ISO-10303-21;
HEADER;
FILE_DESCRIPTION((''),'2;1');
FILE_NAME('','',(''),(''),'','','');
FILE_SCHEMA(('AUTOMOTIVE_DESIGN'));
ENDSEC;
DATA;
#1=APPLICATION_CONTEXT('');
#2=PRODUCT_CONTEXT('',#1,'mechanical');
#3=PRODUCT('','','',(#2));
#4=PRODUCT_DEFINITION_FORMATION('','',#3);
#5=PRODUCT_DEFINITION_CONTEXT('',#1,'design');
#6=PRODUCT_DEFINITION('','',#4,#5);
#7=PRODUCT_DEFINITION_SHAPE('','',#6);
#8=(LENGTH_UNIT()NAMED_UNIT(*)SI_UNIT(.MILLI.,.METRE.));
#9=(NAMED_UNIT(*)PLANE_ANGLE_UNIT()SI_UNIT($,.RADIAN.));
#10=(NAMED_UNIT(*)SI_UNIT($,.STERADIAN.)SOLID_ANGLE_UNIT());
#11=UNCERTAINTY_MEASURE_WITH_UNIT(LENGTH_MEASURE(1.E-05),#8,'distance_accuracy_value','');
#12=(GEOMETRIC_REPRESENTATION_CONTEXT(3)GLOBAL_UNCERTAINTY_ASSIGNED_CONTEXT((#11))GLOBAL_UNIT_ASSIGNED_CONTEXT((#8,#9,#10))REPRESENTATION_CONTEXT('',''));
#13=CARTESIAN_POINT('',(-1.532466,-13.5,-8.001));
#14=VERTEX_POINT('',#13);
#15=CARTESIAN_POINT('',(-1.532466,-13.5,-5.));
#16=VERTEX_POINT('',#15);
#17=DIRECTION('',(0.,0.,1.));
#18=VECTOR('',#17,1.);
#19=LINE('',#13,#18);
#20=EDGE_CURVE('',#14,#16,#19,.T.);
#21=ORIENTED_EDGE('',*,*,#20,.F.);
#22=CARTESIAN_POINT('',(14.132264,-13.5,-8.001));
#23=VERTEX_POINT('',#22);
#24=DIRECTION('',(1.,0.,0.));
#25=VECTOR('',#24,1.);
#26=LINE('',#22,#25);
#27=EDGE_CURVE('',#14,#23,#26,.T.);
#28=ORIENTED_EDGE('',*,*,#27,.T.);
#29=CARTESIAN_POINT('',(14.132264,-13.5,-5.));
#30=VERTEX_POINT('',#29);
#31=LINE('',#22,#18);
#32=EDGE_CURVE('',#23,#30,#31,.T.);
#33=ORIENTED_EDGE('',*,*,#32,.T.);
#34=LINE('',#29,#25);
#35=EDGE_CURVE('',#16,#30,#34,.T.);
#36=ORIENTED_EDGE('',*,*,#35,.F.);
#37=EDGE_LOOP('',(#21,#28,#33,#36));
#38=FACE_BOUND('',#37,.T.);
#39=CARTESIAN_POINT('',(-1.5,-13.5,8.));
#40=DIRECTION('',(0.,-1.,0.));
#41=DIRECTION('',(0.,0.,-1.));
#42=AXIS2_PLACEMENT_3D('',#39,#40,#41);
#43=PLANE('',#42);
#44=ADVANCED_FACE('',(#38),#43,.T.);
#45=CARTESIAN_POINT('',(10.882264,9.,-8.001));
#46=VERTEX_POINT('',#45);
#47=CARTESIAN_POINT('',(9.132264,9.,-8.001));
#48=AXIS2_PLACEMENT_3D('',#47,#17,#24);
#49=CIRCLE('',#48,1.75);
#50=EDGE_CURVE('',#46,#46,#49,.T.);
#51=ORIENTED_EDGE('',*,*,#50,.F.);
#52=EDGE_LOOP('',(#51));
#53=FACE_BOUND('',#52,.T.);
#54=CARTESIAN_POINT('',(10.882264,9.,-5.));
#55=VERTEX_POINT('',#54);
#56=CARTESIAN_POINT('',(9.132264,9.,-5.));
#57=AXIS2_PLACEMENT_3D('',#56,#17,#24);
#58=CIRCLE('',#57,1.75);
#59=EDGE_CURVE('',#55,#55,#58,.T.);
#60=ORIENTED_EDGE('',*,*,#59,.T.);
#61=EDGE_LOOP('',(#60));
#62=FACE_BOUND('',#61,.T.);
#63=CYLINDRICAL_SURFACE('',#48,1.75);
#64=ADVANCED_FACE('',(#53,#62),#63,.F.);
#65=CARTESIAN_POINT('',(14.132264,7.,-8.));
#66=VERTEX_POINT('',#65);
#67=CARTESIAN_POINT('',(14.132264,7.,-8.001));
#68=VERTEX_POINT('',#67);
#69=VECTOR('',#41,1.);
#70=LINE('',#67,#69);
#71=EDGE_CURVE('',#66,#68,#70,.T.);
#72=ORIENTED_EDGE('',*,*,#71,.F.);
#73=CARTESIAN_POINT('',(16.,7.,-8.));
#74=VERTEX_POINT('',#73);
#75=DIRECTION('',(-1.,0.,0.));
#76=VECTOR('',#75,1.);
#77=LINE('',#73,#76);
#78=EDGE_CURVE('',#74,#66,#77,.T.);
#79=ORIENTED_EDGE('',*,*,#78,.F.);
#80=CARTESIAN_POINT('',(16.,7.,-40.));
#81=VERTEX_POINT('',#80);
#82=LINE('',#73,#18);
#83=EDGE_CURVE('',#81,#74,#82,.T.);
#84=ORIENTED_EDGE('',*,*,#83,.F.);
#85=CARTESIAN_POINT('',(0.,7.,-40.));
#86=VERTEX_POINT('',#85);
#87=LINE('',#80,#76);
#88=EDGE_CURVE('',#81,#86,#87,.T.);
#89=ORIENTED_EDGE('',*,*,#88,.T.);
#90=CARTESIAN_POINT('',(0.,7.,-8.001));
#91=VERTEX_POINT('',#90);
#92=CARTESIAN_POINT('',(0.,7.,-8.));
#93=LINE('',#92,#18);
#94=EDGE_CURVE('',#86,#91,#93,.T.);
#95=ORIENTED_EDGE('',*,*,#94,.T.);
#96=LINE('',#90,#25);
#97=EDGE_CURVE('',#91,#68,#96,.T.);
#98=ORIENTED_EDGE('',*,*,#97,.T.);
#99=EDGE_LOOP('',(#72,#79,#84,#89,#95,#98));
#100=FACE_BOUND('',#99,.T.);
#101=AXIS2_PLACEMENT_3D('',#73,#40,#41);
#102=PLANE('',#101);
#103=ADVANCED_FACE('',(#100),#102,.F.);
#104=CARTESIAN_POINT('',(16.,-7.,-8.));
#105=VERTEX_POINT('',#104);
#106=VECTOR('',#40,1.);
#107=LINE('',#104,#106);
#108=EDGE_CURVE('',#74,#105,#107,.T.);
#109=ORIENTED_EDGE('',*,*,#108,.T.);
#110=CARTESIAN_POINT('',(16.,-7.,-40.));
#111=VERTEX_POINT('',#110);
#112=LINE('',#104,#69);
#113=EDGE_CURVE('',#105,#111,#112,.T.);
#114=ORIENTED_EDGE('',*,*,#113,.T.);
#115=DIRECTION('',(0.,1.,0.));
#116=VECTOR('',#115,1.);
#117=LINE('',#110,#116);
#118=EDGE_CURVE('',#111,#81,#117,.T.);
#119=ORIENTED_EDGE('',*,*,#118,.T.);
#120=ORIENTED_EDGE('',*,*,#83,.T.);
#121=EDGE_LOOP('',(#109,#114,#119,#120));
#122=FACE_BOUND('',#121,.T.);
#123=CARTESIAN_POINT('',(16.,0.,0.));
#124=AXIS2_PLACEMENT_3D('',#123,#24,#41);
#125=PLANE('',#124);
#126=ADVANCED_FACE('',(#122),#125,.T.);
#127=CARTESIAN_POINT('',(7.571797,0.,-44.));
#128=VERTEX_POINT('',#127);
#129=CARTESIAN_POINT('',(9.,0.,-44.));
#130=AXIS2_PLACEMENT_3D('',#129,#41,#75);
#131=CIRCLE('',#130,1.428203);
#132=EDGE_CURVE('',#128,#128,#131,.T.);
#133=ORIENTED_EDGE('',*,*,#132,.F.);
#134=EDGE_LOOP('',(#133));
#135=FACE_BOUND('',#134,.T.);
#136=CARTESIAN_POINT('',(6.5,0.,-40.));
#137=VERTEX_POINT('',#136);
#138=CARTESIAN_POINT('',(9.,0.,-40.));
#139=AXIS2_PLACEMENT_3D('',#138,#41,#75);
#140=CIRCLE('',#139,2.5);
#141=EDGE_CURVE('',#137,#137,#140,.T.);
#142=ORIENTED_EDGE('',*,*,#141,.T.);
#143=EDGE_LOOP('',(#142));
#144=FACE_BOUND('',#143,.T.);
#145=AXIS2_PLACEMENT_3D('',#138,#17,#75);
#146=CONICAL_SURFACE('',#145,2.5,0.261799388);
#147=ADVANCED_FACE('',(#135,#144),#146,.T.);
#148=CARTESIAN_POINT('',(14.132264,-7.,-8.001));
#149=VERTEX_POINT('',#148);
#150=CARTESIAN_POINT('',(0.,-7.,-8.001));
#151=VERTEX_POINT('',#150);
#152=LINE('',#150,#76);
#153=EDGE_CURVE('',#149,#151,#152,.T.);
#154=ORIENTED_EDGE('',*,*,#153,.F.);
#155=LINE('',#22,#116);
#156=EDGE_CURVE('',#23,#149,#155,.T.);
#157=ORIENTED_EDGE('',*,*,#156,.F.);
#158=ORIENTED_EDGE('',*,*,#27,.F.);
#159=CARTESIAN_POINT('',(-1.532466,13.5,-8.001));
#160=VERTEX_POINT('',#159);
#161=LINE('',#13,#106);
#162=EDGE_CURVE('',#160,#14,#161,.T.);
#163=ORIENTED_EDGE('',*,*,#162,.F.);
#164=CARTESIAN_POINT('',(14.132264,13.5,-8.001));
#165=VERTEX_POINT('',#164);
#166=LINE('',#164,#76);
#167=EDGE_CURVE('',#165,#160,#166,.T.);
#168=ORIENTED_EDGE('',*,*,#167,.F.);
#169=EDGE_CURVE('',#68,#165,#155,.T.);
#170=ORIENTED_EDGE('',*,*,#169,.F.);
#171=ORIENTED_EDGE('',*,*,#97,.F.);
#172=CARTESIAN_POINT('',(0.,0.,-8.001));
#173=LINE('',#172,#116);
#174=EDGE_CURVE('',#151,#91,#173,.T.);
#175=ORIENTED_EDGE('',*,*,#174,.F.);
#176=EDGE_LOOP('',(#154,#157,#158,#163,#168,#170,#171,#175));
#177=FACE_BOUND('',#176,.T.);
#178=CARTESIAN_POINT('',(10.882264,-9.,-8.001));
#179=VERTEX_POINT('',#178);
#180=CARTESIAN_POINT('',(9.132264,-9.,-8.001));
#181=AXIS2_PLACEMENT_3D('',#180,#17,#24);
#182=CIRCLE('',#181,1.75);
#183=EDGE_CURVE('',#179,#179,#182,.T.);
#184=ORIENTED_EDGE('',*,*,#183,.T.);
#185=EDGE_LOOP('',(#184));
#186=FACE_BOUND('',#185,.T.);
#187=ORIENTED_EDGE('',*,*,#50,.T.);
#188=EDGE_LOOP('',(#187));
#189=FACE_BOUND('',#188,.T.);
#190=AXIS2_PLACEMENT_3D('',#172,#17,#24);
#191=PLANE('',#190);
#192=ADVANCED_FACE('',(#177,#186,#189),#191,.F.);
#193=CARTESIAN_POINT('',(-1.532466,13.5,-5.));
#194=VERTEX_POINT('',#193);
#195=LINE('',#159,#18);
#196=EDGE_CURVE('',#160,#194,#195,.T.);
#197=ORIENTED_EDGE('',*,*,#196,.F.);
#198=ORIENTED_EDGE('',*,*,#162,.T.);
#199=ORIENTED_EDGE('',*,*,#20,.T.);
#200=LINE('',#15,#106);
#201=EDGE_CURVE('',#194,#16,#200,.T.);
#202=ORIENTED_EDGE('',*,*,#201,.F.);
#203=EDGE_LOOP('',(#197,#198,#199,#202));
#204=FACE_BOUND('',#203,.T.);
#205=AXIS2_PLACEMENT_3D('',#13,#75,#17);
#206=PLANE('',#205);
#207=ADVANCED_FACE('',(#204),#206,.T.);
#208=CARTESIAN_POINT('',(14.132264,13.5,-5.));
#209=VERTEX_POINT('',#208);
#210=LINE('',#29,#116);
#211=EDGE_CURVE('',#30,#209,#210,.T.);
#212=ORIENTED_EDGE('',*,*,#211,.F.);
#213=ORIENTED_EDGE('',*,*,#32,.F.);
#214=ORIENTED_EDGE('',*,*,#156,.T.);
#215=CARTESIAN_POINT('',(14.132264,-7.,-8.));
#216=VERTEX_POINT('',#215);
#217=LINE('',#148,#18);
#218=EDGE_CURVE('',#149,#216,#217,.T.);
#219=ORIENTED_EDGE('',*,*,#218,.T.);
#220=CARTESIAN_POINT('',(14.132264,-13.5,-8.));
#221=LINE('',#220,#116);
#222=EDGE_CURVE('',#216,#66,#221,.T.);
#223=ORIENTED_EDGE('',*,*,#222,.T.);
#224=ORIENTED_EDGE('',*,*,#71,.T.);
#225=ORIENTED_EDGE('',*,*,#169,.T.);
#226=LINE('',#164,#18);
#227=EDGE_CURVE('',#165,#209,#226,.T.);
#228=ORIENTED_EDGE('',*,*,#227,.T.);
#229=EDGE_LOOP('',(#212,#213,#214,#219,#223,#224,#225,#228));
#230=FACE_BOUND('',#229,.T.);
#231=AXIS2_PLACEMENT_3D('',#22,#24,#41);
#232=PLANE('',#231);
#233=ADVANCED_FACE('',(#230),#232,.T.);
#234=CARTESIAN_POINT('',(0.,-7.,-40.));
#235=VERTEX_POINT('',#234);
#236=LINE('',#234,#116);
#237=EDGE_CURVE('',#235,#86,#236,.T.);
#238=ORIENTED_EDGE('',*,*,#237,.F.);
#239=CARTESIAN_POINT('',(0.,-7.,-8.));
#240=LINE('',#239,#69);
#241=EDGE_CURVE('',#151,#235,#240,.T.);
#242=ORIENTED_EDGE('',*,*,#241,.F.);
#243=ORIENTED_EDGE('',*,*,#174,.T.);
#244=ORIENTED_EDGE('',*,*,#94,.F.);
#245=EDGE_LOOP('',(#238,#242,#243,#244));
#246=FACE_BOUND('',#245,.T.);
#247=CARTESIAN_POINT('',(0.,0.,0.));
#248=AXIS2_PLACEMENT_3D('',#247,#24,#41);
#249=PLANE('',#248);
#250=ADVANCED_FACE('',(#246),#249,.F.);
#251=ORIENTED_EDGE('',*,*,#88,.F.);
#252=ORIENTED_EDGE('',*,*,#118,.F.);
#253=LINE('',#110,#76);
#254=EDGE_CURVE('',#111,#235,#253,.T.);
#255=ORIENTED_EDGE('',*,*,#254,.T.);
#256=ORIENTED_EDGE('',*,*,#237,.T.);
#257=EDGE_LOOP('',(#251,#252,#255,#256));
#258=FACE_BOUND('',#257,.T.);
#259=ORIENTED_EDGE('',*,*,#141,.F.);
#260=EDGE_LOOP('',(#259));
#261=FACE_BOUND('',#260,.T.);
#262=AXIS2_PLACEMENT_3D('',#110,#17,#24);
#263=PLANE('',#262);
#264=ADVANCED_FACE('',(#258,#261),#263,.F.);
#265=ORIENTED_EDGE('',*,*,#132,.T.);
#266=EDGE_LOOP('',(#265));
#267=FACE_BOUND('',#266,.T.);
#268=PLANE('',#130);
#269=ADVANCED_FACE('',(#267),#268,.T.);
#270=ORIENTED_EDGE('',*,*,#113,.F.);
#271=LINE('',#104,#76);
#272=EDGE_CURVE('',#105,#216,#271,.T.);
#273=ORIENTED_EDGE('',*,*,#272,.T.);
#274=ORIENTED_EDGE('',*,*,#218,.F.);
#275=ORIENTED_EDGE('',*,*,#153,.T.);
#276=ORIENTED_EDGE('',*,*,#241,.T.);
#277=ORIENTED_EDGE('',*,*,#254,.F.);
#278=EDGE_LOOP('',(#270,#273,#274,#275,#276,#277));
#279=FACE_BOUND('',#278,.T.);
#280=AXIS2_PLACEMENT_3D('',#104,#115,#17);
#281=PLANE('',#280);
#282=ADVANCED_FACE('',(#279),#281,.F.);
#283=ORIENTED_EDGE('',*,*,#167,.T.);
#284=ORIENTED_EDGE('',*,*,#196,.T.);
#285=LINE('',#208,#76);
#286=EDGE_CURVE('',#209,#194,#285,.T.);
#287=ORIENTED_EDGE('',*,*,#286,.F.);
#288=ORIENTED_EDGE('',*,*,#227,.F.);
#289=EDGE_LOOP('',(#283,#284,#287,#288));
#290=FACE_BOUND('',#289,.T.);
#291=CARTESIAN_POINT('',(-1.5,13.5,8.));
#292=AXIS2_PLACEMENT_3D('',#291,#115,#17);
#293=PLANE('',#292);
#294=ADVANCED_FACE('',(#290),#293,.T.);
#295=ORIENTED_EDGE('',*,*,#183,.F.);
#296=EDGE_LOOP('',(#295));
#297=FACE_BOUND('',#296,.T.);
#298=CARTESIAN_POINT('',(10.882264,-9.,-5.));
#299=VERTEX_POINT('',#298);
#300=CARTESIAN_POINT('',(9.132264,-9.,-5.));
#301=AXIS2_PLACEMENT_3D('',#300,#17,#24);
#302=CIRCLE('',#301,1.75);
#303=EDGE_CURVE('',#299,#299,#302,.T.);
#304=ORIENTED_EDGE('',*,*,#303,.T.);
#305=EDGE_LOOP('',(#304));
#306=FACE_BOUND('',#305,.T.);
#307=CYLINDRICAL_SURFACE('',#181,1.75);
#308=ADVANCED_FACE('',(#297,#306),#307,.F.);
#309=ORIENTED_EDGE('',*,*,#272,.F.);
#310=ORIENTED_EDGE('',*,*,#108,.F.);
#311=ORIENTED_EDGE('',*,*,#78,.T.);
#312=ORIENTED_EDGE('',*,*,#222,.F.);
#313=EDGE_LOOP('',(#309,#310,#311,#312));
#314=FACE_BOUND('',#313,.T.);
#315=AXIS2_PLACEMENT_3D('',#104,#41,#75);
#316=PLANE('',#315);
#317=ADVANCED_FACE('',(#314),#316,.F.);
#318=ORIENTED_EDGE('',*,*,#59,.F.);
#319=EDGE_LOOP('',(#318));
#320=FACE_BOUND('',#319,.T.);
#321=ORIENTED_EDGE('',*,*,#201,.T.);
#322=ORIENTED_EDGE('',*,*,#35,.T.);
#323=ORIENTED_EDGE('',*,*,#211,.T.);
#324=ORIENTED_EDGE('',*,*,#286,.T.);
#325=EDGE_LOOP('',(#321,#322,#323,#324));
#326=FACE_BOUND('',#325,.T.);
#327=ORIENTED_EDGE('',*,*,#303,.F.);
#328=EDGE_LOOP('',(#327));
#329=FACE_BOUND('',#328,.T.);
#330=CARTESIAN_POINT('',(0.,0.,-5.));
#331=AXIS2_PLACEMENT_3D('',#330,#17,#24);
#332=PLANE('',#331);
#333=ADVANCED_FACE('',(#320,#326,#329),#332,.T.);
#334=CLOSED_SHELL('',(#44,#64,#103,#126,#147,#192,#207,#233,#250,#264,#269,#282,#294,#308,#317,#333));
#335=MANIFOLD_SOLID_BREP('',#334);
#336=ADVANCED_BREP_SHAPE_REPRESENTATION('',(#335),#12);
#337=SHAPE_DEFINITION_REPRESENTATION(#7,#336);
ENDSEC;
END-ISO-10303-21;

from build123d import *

# Parameters (mm, degrees)
BOSS_EXTRUDE1_DEPTH      = 1.5
SKETCH2_W                = 14
SKETCH2_H                = 32
BOSS_EXTRUDE2_DEPTH      = 16
BOSS_EXTRUDE3_DEPTH      = 3
BOSS_EXTRUDE3_DEPTH_BACK = 0.001
SKETCH3_W                = 15.664729633
SKETCH3_H                = 27
SKETCH3_R                = 1.75
SKETCH5_R                = 2.5
BOSS_EXTRUDE4_DEPTH      = 4
BOSS_EXTRUDE4_TAPER      = 15
CUT_EXTRUDE1_DEPTH       = 10
SKETCH7_W                = 71.065748979
SKETCH7_H                = 70.277880365
CUT_EXTRUDE2_DEPTH       = 30


with BuildPart() as part:
    # Sketch1 → Boss-Extrude1 (new body)
    with BuildSketch(Plane.YZ):
        Polygon((-13.5, 8), (-13.5, -8), (13.5, -8), (13.5, 8), (5, 8), (5, 58), (-5, 58), (-5, 8), align=None)
    extrude(amount=-BOSS_EXTRUDE1_DEPTH)



with BuildPart() as body_2:
    # Sketch2 → Boss-Extrude2 (new body)
    with BuildSketch(Plane.YZ):
        with Locations((0, -24)):
            Rectangle(SKETCH2_W, SKETCH2_H)
    extrude(amount=BOSS_EXTRUDE2_DEPTH)


with BuildPart() as part_1:
    add(part.part)

    add(body_2.part)  # Boss-Extrude3 merges body 2
    # Sketch3 → Boss-Extrude3 (add, two sides: drawn at the far end of the back side and taken through both)
    with BuildSketch(Plane.XY.offset(-8).offset(-BOSS_EXTRUDE3_DEPTH_BACK)):
        with Locations((6.299899253, 0)):
            Rectangle(SKETCH3_W, SKETCH3_H)
        with Locations((9.132264069, 9)):
            Circle(SKETCH3_R, mode=Mode.SUBTRACT)
        with Locations((9.132264069, -9)):
            Circle(SKETCH3_R, mode=Mode.SUBTRACT)
    extrude(amount=BOSS_EXTRUDE3_DEPTH + BOSS_EXTRUDE3_DEPTH_BACK)

    # Sketch5 → Boss-Extrude4 (add)
    with BuildSketch(Plane(origin=(0, 0, -40), x_dir=(1, 0, 0), z_dir=(0, 0, -1))):
        with Locations((9, 0)):
            Circle(SKETCH5_R)
    extrude(amount=BOSS_EXTRUDE4_DEPTH, taper=BOSS_EXTRUDE4_TAPER)

    # Sketch6 → Cut-Extrude1 (cut)
    with BuildSketch(Plane.YZ):
        with BuildLine():
            Line((0.555279177, 48), (0.555279177, 18))
            ThreePointArc((0.555279177, 18), (-1.194720823, 16.25), (-2.944720823, 18))
            Line((-2.944720823, 18), (-2.944720823, 48))
            ThreePointArc((-2.944720823, 48), (-1.194720823, 49.75), (0.555279177, 48))
        make_face()
    extrude(amount=-CUT_EXTRUDE1_DEPTH, mode=Mode.SUBTRACT)

    # Sketch7 → Cut-Extrude2 (cut)
    with BuildSketch(Plane.YZ.offset(14.132264069)):
        with Locations((0.078786861, 30.138940183)):
            Rectangle(SKETCH7_W, SKETCH7_H)
    extrude(amount=-CUT_EXTRUDE2_DEPTH, mode=Mode.SUBTRACT)


solid = part_1.part
